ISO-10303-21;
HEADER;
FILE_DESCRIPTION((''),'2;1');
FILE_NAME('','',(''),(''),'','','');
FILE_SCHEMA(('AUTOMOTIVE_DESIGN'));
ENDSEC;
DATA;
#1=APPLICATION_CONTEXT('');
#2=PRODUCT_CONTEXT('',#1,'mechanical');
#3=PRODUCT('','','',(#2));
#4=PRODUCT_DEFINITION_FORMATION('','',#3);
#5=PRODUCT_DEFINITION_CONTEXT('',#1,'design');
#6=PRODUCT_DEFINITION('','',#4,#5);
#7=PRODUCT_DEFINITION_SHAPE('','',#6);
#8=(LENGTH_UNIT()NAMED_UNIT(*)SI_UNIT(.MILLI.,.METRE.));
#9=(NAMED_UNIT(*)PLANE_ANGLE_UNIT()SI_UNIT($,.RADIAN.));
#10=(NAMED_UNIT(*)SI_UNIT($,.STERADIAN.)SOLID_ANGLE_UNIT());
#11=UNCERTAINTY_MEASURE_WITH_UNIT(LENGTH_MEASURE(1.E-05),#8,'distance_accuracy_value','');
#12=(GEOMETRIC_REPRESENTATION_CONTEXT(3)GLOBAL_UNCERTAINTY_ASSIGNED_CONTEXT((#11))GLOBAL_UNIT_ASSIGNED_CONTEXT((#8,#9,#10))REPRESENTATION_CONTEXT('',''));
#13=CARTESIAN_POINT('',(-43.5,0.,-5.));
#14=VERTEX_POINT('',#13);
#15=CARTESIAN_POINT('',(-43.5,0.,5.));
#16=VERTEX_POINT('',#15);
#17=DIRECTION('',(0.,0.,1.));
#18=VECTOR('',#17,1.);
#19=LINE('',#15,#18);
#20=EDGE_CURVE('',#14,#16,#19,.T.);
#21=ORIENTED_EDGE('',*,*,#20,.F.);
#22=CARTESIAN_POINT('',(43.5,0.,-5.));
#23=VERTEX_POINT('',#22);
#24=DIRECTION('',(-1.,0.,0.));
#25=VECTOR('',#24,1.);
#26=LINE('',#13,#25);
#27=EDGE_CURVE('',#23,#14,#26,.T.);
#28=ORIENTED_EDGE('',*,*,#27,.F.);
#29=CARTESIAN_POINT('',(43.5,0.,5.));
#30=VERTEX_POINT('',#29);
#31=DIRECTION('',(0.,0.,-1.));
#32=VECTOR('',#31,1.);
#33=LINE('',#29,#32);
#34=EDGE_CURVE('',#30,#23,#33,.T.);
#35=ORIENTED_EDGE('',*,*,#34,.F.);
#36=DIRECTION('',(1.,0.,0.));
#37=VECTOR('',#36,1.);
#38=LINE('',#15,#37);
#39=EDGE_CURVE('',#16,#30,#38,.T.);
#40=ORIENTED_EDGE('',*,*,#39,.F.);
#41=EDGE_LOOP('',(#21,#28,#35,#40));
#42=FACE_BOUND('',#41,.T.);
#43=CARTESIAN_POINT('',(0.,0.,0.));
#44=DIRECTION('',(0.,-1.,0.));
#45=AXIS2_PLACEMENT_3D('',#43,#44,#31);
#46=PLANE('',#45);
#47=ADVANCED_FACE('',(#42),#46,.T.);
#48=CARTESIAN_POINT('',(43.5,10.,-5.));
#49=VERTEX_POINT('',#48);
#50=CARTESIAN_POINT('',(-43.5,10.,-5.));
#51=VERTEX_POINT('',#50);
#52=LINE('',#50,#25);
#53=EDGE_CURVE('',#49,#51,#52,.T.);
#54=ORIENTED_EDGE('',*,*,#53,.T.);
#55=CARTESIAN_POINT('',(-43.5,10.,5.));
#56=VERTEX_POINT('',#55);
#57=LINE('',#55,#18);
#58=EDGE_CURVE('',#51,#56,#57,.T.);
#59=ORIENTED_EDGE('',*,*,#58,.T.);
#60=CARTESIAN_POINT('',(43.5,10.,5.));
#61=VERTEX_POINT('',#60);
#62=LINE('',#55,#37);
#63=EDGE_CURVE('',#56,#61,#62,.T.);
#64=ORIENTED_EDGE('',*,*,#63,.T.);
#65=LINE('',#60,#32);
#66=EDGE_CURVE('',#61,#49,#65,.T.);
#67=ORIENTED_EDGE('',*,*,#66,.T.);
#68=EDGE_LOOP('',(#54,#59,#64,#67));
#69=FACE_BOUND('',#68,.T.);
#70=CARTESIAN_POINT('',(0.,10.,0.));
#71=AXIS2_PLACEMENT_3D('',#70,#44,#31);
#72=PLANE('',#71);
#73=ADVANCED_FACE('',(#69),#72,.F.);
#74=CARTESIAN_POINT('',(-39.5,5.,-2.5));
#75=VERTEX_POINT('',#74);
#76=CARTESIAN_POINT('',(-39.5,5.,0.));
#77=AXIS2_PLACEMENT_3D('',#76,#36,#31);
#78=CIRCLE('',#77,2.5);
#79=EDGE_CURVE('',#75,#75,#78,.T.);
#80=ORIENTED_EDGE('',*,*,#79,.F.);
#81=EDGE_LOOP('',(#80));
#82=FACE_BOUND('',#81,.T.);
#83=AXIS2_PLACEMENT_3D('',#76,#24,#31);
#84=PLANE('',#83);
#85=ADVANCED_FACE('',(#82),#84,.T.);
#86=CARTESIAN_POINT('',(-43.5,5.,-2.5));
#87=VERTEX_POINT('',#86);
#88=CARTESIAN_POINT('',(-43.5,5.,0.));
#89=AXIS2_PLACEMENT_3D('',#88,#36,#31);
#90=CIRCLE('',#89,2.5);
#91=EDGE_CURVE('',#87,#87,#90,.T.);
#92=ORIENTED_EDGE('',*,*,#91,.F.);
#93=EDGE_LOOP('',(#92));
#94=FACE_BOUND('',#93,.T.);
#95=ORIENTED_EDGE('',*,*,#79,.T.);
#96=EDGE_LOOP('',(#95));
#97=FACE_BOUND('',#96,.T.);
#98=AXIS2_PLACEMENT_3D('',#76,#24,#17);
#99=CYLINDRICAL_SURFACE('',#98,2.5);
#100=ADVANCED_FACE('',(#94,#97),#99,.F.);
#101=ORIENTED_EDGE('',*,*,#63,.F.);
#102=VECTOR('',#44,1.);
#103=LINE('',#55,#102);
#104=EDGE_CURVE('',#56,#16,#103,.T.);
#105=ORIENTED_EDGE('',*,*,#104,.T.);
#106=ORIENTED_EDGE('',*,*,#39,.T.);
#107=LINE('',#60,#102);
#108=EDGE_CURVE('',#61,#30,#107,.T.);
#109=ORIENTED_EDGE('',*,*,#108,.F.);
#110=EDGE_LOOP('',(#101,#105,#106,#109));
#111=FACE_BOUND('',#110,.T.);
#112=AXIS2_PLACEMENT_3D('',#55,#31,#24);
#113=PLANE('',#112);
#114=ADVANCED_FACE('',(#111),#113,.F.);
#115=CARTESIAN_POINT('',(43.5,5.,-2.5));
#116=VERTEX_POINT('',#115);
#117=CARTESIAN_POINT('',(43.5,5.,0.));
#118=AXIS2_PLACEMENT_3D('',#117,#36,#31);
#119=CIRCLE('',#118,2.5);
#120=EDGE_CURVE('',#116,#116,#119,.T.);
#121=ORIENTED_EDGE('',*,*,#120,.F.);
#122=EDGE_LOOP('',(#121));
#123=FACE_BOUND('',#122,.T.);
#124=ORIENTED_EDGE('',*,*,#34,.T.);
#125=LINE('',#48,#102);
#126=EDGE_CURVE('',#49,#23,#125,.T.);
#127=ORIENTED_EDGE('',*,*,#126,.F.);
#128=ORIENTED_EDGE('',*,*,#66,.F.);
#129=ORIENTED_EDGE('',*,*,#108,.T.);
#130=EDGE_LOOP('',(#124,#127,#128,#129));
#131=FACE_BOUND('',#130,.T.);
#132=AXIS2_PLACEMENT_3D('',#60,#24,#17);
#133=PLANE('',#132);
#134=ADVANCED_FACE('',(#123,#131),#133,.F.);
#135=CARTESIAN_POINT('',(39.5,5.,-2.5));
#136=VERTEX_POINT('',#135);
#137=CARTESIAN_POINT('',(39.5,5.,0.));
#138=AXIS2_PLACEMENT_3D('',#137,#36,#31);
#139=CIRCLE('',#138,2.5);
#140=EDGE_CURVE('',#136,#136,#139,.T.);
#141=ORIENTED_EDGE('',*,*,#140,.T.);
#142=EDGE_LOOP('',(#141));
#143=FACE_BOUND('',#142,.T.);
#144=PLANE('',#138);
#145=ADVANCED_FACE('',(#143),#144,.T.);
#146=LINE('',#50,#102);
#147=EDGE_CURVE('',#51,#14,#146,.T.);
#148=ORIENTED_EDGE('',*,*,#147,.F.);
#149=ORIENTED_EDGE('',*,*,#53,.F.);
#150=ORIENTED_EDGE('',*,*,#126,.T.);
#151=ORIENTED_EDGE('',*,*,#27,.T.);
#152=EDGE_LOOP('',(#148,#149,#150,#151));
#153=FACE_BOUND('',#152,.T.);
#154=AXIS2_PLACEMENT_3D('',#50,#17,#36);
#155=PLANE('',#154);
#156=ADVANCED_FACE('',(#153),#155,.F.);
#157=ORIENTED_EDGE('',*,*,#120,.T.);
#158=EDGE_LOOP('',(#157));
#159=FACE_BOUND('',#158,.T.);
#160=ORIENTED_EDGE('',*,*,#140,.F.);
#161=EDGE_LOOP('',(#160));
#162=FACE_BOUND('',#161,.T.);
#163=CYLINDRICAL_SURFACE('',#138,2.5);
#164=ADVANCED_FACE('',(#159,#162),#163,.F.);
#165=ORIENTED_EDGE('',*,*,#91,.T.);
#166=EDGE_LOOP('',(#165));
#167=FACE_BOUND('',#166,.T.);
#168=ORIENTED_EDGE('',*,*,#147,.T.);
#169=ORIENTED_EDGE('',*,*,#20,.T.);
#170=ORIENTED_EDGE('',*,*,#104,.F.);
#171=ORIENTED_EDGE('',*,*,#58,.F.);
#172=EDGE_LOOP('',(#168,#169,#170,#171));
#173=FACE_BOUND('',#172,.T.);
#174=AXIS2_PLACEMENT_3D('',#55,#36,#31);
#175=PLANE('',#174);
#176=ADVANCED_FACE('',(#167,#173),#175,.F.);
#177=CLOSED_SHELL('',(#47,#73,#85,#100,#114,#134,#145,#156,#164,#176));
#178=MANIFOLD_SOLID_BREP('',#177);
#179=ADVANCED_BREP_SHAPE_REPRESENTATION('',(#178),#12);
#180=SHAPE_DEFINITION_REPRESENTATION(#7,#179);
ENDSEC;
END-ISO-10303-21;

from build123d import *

# Parameters (mm, degrees)
SKETCH1_W           = 87
SKETCH1_H           = 10
BOSS_EXTRUDE1_DEPTH = 10
SKETCH2_R           = 2.5
CUT_EXTRUDE1_DEPTH  = 4


with BuildPart() as part:
    # Sketch1 → Boss-Extrude1 (new body)
    with BuildSketch(Plane(origin=(0, 0, 0), x_dir=(1, 0, 0), z_dir=(0, 1, 0))):
        Rectangle(SKETCH1_W, SKETCH1_H)
    extrude(amount=BOSS_EXTRUDE1_DEPTH)

    # Sketch2 → Cut-Extrude1 (cut)
    with BuildSketch(Plane(origin=(43.5, 0, 0), x_dir=(0, 0, -1), z_dir=(1, 0, 0))):
        with Locations((0, 5)):
            Circle(SKETCH2_R)
    cut_extrude1 = extrude(amount=-CUT_EXTRUDE1_DEPTH, mode=Mode.SUBTRACT)

    # Mirror1: Cut-Extrude1 across plane
    add(cut_extrude1.mirror(Plane(origin=(0, 0, 0), x_dir=(0, 0, 1), z_dir=(1, 0, 0))), mode=Mode.SUBTRACT)


solid = part.part
